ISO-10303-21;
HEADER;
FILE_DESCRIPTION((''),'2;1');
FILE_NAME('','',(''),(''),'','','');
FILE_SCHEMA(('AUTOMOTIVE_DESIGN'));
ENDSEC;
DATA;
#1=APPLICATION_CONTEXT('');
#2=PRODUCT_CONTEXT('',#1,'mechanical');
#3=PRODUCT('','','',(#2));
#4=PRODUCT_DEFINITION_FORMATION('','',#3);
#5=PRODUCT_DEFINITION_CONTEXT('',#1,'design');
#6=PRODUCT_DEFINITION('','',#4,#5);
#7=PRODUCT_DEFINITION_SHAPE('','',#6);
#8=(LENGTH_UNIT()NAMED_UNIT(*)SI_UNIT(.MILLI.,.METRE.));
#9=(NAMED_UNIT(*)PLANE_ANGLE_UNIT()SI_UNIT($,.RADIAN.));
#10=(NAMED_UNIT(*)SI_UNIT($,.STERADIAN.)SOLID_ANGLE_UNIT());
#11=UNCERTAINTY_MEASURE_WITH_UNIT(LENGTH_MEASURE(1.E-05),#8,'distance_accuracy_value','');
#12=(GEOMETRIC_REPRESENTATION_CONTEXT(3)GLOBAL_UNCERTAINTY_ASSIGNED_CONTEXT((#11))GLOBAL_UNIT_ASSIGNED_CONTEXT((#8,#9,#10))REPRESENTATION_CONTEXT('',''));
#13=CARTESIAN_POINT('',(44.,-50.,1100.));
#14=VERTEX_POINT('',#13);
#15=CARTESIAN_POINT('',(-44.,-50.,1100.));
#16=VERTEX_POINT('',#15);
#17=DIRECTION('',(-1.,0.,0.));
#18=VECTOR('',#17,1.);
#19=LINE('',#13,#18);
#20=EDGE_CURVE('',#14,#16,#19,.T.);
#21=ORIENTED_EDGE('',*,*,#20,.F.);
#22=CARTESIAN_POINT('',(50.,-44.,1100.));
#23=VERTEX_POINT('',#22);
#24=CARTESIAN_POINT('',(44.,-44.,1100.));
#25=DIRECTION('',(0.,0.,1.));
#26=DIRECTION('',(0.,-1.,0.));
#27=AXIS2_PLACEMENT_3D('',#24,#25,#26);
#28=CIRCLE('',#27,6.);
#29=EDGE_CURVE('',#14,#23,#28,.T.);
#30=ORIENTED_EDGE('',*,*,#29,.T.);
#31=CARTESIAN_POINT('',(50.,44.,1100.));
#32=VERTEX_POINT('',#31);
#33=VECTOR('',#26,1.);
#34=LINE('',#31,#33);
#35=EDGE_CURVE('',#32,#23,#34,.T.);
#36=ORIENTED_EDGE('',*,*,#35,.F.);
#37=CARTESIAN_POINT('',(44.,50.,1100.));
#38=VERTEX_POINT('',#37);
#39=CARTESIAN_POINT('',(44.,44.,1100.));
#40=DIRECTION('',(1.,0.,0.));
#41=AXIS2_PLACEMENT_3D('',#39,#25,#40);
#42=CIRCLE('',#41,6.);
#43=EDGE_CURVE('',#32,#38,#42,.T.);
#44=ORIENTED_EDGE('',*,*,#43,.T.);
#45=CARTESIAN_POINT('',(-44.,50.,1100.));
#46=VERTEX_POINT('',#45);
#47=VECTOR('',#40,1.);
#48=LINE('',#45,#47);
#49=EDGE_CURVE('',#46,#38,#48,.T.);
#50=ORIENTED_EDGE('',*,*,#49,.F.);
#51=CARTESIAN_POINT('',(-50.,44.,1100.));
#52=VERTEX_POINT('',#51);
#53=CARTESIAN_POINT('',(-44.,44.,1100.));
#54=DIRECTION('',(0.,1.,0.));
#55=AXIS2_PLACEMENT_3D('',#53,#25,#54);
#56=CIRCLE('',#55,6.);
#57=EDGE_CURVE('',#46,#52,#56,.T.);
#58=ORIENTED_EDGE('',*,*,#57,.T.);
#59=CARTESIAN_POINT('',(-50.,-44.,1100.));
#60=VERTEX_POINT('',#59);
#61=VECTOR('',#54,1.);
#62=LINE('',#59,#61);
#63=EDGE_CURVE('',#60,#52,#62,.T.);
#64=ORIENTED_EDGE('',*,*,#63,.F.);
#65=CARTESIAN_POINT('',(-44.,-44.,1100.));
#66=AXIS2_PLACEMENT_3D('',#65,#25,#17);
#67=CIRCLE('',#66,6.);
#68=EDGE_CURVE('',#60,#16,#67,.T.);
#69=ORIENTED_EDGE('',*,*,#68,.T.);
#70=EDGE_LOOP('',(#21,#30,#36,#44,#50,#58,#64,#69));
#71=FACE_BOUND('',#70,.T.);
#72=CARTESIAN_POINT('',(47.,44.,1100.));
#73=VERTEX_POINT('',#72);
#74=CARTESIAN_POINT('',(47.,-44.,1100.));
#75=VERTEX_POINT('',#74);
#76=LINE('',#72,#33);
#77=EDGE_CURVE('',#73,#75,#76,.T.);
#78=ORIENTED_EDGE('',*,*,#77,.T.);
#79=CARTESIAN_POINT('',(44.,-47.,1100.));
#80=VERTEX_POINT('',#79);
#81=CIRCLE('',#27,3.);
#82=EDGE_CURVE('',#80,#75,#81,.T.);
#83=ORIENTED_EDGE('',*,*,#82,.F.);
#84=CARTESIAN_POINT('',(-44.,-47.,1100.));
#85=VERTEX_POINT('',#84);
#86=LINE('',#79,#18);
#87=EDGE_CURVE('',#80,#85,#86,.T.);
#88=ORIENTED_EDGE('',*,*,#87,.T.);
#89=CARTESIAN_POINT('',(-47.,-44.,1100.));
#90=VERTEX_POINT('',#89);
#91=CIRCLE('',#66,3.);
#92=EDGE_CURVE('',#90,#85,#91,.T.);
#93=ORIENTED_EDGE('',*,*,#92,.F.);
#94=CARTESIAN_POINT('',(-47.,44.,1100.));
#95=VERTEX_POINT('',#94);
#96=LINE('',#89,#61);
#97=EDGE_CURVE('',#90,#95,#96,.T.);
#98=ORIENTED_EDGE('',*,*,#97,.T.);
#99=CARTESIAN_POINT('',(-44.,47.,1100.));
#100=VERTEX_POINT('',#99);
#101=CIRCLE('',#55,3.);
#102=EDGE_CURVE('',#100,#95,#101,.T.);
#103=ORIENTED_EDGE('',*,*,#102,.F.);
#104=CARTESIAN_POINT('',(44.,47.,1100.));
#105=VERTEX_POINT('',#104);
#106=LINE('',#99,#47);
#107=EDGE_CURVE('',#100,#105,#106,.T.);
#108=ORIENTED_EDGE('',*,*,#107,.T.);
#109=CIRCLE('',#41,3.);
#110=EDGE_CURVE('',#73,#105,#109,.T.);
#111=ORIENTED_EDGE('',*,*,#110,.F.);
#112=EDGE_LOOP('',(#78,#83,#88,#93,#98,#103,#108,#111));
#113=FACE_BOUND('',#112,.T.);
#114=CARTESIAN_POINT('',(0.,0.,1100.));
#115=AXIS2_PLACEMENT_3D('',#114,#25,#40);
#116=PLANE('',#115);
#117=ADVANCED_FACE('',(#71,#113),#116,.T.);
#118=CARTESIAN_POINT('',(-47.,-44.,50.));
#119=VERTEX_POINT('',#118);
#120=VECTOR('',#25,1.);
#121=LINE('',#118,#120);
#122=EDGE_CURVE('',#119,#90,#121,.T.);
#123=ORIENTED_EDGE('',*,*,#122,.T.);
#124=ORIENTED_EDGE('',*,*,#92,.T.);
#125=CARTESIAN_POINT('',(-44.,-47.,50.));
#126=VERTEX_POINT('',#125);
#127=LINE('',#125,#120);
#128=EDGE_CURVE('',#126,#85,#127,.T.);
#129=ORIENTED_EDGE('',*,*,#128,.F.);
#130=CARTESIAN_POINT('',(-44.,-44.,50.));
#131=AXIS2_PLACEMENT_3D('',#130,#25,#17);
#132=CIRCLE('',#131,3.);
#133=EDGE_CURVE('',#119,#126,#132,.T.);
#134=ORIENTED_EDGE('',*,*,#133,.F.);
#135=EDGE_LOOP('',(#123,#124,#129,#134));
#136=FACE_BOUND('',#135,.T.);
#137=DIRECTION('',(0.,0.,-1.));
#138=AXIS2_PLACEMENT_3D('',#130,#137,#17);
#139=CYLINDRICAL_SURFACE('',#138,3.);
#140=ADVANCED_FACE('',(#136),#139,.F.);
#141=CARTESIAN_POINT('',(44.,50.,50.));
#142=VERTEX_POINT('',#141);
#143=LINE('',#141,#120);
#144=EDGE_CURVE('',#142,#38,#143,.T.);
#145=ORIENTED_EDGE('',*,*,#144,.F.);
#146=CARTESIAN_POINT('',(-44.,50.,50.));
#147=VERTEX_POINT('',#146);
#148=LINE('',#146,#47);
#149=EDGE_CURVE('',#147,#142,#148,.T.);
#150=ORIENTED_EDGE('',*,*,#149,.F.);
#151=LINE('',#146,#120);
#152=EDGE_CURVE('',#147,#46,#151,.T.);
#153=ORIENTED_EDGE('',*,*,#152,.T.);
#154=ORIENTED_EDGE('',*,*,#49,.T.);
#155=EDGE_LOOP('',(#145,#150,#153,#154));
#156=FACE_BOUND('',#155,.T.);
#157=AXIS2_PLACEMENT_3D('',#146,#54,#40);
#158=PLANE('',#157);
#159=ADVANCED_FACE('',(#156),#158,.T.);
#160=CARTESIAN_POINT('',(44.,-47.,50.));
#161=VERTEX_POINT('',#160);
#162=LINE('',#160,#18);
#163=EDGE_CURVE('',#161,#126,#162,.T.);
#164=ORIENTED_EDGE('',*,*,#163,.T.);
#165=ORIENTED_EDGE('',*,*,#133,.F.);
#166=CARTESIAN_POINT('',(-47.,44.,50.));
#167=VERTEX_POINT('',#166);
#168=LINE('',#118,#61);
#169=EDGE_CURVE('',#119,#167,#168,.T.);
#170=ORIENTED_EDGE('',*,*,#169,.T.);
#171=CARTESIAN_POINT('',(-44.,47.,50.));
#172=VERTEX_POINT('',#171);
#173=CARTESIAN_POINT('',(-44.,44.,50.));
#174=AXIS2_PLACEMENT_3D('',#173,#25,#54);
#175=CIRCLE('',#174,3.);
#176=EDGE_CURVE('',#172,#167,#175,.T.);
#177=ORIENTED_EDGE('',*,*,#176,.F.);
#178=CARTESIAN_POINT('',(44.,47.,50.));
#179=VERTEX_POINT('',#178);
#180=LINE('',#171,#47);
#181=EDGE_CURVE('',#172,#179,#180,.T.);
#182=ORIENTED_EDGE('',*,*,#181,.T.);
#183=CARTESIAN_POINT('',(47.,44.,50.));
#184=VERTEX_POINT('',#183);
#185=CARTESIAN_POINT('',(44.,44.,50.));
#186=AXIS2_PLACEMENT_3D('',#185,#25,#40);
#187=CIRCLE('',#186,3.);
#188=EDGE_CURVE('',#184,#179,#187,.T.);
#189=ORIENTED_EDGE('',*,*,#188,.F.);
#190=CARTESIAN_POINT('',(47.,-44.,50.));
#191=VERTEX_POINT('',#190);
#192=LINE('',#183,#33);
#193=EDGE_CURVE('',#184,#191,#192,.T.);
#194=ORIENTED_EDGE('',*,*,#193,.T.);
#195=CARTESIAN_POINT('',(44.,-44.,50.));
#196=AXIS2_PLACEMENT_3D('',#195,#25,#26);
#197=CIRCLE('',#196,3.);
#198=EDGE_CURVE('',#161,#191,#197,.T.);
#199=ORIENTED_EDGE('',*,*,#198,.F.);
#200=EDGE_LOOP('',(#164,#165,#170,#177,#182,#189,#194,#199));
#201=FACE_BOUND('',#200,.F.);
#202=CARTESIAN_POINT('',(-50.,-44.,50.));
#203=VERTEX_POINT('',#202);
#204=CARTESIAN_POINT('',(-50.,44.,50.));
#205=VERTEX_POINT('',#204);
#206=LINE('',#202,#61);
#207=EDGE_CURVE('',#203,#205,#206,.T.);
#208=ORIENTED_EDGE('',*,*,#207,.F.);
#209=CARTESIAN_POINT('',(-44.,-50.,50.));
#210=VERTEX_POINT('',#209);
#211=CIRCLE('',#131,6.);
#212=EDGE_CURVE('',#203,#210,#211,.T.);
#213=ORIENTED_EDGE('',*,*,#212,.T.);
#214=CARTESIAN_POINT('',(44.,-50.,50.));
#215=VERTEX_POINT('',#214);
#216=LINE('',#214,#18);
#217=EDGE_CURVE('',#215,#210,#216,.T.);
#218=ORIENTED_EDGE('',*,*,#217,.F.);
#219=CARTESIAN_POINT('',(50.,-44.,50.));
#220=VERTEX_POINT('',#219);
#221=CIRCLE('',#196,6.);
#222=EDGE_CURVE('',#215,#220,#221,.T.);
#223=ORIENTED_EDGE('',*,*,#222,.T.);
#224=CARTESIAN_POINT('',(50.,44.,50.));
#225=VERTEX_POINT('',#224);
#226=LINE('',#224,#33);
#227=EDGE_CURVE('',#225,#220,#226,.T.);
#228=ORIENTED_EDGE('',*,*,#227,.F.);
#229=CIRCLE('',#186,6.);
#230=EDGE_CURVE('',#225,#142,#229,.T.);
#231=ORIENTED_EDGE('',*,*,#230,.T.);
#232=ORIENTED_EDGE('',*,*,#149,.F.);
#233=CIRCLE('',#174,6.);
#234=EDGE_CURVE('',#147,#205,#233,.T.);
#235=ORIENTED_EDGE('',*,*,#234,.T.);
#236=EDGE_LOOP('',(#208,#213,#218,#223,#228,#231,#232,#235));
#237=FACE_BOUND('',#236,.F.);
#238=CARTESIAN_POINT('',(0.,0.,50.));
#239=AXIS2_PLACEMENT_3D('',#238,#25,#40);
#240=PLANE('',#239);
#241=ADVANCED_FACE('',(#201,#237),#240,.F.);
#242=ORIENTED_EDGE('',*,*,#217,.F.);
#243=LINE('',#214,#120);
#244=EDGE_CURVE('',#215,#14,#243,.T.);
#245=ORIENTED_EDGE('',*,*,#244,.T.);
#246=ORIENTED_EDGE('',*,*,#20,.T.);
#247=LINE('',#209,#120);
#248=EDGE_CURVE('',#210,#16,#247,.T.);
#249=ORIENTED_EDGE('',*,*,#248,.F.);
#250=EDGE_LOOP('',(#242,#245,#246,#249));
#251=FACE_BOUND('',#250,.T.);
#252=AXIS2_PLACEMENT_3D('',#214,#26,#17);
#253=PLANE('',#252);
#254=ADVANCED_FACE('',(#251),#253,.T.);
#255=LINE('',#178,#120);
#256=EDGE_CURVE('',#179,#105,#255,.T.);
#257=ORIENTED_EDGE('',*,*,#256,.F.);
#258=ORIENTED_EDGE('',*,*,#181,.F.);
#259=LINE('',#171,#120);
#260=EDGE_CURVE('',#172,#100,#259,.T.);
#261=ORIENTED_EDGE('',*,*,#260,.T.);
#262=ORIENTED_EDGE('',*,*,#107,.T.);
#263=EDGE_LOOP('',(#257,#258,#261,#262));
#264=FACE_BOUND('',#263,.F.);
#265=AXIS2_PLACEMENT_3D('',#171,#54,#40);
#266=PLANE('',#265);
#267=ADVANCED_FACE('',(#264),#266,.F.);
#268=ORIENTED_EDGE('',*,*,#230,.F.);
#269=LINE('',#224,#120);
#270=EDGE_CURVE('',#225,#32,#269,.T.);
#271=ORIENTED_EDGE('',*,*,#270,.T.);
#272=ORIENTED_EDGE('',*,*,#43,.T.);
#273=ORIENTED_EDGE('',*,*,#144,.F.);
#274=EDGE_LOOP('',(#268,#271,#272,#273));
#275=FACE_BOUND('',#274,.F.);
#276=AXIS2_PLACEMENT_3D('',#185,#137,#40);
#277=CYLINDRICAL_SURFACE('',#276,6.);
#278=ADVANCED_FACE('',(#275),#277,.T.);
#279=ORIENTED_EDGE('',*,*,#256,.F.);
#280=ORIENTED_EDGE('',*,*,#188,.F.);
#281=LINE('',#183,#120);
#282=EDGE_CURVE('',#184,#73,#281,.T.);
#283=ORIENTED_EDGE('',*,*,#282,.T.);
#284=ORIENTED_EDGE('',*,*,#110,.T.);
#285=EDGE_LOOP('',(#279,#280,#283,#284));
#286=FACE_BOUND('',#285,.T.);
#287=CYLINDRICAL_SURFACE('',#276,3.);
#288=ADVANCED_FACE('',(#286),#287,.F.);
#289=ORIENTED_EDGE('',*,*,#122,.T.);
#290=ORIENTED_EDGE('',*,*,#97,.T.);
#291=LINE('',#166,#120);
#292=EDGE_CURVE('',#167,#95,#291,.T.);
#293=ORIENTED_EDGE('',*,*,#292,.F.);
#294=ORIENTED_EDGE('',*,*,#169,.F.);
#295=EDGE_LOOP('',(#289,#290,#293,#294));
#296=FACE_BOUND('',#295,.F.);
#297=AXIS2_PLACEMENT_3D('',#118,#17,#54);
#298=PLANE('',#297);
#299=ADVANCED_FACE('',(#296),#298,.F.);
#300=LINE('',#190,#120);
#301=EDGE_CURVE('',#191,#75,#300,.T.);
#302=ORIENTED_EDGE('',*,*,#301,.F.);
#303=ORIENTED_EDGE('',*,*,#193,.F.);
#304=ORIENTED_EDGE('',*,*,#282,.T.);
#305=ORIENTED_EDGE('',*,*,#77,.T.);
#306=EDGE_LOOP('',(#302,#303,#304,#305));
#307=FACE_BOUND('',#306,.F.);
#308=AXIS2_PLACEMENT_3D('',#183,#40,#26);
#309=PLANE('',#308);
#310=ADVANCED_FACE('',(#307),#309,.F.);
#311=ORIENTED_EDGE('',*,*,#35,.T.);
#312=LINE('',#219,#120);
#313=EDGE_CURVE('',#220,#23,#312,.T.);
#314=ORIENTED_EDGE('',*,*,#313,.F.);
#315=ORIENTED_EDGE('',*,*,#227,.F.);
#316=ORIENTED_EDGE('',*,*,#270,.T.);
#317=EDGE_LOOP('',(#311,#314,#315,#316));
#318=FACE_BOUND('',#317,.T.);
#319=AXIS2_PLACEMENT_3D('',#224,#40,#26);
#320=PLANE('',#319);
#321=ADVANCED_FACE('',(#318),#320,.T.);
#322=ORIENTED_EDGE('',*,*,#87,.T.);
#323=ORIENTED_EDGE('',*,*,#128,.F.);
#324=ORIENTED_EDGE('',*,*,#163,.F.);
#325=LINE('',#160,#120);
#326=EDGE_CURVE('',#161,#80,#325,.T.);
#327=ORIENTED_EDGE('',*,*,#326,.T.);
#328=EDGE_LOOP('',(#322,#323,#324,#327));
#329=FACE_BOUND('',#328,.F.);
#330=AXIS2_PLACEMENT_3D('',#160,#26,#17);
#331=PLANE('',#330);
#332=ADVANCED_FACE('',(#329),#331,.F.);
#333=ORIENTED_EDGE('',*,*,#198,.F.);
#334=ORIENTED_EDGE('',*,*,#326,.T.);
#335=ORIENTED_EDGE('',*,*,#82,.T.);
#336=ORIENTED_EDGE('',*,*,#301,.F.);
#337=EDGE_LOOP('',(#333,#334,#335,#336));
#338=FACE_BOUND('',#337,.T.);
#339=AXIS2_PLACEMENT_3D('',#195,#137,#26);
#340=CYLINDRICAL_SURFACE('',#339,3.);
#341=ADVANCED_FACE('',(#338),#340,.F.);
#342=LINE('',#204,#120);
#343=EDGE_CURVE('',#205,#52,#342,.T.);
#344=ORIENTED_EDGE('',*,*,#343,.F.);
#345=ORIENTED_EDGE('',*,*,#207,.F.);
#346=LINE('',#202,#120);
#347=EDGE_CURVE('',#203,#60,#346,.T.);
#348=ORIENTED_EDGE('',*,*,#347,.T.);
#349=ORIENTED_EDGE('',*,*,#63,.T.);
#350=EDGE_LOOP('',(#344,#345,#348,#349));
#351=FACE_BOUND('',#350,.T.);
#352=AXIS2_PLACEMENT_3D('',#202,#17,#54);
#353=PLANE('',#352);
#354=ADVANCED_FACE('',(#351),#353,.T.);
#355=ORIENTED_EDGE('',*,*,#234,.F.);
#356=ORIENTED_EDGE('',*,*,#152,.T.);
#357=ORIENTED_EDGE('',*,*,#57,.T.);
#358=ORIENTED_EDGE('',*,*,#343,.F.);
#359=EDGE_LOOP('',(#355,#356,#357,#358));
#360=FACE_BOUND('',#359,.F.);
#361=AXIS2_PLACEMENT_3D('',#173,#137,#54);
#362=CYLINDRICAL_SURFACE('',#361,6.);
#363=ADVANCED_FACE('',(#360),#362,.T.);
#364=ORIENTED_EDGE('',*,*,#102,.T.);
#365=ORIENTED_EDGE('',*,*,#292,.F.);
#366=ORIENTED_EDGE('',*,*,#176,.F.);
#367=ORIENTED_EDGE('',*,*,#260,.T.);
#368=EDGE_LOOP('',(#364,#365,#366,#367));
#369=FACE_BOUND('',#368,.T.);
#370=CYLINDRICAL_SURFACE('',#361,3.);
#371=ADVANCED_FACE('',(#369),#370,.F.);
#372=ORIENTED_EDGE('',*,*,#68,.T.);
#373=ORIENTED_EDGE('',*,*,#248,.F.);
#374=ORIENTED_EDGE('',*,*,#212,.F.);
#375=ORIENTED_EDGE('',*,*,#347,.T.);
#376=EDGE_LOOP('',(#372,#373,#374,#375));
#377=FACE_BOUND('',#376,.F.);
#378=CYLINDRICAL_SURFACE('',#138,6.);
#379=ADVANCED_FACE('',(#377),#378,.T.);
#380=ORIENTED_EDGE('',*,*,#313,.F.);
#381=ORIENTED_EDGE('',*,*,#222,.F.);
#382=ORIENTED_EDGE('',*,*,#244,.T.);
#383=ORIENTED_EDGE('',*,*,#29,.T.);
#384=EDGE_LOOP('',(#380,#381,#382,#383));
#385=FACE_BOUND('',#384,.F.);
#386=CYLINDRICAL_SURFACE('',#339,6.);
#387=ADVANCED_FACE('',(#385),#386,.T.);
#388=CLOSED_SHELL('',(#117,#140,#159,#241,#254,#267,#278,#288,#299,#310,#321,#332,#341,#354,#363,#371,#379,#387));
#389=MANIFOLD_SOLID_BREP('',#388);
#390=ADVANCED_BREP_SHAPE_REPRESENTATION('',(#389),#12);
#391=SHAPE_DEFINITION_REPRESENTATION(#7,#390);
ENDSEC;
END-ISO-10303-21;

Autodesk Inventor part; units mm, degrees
ref_plane "YZ Plane" through (0, 0, 0) normal (1, 0, 0) x (0, 1, 0)
ref_plane "Start plane" through (0, 0, 50) normal (0, 0, 1) x (1, 0, 0)
ref_plane "End plane" through (0, 0, 1100) normal (0, 0, 1) x (1, 0, 0)
sketch "Sketch" plane through (0, 0, 0) normal (0, 0, 1) x (1, 0, 0)
  line L0 (-50, -44) -> (-50, 44)
  line L1 (-44, 50) -> (44, 50)
  line L2 (50, 44) -> (50, -44)
  line L3 (44, -50) -> (-44, -50)
  arc A0 (-50, -44) -> (-44, -50) centre (-44, -44) ccw
  arc A1 (50, 44) -> (44, 50) centre (44, 44) ccw
  arc A2 (-44, 50) -> (-50, 44) centre (-44, 44) ccw
  arc A3 (44, -50) -> (50, -44) centre (44, -44) ccw
  arc A4 (-44, 47) -> (-47, 44) centre (-44, 44) ccw
  line L4 (-44, 47) -> (44, 47)
  arc A5 (47, 44) -> (44, 47) centre (44, 44) ccw
  line L5 (47, 44) -> (47, -44)
  arc A6 (44, -47) -> (47, -44) centre (44, -44) ccw
  line L6 (44, -47) -> (-44, -47)
  arc A7 (-47, -44) -> (-44, -47) centre (-44, -44) ccw
  line L7 (-47, -44) -> (-47, 44)
  line L8 (0, 72.3196) -> (0, -72.3196) construction
  line L9 (-72.3196, 0) -> (72.3196, 0) construction
  dimension "d7" = 6
  dimension "d9" = 100
  dimension "d11" = 100
  dimension "d12" = 3
  dimension "d15" = 50
  dimension "d16" = 50
extrude "Body" add sketch "Sketch" along normal up to surface (1050 mm away) from surface at 50
sketch "Sketch3" plane through (0, 0, 0) normal (0, 0, 1) x (1, 0, 0)
  line L0 (0, 0) -> (10, 0)
ref_plane "Work Plane3" through (0, 0, 0) normal (0, -1, 0) x (1, 0, 0)
sketch "Sketch4" plane through (0, 0, 0) normal (0, -1, 0) x (1, 0, 0)
  line L0 (-2, 50) -> (12, 50) projected
  line L1 (-2, 1100) -> (12, 1100) projected
  dimension "d18" = 1050
equation "\"d7\" = G_IR"
equation "\"d9\" = G_W"
equation "\"d11\" = G_H"
equation "\"d12\" = G_T"
equation "\"d15\" = 0.5 * d9"
equation "\"d16\" = 0.5 * d11"
equation "\"d3\" = G_L"
equation "\"G_W\" = 100"
equation "\"G_H\" = 100"
equation "\"G_T\" = 3"
equation "\"G_IR\" = 6"
equation "\"G_L\" = d18"
properties part number "ISO 10799-2 - 100x100x3 - 1050" material "Steel, Mild"
